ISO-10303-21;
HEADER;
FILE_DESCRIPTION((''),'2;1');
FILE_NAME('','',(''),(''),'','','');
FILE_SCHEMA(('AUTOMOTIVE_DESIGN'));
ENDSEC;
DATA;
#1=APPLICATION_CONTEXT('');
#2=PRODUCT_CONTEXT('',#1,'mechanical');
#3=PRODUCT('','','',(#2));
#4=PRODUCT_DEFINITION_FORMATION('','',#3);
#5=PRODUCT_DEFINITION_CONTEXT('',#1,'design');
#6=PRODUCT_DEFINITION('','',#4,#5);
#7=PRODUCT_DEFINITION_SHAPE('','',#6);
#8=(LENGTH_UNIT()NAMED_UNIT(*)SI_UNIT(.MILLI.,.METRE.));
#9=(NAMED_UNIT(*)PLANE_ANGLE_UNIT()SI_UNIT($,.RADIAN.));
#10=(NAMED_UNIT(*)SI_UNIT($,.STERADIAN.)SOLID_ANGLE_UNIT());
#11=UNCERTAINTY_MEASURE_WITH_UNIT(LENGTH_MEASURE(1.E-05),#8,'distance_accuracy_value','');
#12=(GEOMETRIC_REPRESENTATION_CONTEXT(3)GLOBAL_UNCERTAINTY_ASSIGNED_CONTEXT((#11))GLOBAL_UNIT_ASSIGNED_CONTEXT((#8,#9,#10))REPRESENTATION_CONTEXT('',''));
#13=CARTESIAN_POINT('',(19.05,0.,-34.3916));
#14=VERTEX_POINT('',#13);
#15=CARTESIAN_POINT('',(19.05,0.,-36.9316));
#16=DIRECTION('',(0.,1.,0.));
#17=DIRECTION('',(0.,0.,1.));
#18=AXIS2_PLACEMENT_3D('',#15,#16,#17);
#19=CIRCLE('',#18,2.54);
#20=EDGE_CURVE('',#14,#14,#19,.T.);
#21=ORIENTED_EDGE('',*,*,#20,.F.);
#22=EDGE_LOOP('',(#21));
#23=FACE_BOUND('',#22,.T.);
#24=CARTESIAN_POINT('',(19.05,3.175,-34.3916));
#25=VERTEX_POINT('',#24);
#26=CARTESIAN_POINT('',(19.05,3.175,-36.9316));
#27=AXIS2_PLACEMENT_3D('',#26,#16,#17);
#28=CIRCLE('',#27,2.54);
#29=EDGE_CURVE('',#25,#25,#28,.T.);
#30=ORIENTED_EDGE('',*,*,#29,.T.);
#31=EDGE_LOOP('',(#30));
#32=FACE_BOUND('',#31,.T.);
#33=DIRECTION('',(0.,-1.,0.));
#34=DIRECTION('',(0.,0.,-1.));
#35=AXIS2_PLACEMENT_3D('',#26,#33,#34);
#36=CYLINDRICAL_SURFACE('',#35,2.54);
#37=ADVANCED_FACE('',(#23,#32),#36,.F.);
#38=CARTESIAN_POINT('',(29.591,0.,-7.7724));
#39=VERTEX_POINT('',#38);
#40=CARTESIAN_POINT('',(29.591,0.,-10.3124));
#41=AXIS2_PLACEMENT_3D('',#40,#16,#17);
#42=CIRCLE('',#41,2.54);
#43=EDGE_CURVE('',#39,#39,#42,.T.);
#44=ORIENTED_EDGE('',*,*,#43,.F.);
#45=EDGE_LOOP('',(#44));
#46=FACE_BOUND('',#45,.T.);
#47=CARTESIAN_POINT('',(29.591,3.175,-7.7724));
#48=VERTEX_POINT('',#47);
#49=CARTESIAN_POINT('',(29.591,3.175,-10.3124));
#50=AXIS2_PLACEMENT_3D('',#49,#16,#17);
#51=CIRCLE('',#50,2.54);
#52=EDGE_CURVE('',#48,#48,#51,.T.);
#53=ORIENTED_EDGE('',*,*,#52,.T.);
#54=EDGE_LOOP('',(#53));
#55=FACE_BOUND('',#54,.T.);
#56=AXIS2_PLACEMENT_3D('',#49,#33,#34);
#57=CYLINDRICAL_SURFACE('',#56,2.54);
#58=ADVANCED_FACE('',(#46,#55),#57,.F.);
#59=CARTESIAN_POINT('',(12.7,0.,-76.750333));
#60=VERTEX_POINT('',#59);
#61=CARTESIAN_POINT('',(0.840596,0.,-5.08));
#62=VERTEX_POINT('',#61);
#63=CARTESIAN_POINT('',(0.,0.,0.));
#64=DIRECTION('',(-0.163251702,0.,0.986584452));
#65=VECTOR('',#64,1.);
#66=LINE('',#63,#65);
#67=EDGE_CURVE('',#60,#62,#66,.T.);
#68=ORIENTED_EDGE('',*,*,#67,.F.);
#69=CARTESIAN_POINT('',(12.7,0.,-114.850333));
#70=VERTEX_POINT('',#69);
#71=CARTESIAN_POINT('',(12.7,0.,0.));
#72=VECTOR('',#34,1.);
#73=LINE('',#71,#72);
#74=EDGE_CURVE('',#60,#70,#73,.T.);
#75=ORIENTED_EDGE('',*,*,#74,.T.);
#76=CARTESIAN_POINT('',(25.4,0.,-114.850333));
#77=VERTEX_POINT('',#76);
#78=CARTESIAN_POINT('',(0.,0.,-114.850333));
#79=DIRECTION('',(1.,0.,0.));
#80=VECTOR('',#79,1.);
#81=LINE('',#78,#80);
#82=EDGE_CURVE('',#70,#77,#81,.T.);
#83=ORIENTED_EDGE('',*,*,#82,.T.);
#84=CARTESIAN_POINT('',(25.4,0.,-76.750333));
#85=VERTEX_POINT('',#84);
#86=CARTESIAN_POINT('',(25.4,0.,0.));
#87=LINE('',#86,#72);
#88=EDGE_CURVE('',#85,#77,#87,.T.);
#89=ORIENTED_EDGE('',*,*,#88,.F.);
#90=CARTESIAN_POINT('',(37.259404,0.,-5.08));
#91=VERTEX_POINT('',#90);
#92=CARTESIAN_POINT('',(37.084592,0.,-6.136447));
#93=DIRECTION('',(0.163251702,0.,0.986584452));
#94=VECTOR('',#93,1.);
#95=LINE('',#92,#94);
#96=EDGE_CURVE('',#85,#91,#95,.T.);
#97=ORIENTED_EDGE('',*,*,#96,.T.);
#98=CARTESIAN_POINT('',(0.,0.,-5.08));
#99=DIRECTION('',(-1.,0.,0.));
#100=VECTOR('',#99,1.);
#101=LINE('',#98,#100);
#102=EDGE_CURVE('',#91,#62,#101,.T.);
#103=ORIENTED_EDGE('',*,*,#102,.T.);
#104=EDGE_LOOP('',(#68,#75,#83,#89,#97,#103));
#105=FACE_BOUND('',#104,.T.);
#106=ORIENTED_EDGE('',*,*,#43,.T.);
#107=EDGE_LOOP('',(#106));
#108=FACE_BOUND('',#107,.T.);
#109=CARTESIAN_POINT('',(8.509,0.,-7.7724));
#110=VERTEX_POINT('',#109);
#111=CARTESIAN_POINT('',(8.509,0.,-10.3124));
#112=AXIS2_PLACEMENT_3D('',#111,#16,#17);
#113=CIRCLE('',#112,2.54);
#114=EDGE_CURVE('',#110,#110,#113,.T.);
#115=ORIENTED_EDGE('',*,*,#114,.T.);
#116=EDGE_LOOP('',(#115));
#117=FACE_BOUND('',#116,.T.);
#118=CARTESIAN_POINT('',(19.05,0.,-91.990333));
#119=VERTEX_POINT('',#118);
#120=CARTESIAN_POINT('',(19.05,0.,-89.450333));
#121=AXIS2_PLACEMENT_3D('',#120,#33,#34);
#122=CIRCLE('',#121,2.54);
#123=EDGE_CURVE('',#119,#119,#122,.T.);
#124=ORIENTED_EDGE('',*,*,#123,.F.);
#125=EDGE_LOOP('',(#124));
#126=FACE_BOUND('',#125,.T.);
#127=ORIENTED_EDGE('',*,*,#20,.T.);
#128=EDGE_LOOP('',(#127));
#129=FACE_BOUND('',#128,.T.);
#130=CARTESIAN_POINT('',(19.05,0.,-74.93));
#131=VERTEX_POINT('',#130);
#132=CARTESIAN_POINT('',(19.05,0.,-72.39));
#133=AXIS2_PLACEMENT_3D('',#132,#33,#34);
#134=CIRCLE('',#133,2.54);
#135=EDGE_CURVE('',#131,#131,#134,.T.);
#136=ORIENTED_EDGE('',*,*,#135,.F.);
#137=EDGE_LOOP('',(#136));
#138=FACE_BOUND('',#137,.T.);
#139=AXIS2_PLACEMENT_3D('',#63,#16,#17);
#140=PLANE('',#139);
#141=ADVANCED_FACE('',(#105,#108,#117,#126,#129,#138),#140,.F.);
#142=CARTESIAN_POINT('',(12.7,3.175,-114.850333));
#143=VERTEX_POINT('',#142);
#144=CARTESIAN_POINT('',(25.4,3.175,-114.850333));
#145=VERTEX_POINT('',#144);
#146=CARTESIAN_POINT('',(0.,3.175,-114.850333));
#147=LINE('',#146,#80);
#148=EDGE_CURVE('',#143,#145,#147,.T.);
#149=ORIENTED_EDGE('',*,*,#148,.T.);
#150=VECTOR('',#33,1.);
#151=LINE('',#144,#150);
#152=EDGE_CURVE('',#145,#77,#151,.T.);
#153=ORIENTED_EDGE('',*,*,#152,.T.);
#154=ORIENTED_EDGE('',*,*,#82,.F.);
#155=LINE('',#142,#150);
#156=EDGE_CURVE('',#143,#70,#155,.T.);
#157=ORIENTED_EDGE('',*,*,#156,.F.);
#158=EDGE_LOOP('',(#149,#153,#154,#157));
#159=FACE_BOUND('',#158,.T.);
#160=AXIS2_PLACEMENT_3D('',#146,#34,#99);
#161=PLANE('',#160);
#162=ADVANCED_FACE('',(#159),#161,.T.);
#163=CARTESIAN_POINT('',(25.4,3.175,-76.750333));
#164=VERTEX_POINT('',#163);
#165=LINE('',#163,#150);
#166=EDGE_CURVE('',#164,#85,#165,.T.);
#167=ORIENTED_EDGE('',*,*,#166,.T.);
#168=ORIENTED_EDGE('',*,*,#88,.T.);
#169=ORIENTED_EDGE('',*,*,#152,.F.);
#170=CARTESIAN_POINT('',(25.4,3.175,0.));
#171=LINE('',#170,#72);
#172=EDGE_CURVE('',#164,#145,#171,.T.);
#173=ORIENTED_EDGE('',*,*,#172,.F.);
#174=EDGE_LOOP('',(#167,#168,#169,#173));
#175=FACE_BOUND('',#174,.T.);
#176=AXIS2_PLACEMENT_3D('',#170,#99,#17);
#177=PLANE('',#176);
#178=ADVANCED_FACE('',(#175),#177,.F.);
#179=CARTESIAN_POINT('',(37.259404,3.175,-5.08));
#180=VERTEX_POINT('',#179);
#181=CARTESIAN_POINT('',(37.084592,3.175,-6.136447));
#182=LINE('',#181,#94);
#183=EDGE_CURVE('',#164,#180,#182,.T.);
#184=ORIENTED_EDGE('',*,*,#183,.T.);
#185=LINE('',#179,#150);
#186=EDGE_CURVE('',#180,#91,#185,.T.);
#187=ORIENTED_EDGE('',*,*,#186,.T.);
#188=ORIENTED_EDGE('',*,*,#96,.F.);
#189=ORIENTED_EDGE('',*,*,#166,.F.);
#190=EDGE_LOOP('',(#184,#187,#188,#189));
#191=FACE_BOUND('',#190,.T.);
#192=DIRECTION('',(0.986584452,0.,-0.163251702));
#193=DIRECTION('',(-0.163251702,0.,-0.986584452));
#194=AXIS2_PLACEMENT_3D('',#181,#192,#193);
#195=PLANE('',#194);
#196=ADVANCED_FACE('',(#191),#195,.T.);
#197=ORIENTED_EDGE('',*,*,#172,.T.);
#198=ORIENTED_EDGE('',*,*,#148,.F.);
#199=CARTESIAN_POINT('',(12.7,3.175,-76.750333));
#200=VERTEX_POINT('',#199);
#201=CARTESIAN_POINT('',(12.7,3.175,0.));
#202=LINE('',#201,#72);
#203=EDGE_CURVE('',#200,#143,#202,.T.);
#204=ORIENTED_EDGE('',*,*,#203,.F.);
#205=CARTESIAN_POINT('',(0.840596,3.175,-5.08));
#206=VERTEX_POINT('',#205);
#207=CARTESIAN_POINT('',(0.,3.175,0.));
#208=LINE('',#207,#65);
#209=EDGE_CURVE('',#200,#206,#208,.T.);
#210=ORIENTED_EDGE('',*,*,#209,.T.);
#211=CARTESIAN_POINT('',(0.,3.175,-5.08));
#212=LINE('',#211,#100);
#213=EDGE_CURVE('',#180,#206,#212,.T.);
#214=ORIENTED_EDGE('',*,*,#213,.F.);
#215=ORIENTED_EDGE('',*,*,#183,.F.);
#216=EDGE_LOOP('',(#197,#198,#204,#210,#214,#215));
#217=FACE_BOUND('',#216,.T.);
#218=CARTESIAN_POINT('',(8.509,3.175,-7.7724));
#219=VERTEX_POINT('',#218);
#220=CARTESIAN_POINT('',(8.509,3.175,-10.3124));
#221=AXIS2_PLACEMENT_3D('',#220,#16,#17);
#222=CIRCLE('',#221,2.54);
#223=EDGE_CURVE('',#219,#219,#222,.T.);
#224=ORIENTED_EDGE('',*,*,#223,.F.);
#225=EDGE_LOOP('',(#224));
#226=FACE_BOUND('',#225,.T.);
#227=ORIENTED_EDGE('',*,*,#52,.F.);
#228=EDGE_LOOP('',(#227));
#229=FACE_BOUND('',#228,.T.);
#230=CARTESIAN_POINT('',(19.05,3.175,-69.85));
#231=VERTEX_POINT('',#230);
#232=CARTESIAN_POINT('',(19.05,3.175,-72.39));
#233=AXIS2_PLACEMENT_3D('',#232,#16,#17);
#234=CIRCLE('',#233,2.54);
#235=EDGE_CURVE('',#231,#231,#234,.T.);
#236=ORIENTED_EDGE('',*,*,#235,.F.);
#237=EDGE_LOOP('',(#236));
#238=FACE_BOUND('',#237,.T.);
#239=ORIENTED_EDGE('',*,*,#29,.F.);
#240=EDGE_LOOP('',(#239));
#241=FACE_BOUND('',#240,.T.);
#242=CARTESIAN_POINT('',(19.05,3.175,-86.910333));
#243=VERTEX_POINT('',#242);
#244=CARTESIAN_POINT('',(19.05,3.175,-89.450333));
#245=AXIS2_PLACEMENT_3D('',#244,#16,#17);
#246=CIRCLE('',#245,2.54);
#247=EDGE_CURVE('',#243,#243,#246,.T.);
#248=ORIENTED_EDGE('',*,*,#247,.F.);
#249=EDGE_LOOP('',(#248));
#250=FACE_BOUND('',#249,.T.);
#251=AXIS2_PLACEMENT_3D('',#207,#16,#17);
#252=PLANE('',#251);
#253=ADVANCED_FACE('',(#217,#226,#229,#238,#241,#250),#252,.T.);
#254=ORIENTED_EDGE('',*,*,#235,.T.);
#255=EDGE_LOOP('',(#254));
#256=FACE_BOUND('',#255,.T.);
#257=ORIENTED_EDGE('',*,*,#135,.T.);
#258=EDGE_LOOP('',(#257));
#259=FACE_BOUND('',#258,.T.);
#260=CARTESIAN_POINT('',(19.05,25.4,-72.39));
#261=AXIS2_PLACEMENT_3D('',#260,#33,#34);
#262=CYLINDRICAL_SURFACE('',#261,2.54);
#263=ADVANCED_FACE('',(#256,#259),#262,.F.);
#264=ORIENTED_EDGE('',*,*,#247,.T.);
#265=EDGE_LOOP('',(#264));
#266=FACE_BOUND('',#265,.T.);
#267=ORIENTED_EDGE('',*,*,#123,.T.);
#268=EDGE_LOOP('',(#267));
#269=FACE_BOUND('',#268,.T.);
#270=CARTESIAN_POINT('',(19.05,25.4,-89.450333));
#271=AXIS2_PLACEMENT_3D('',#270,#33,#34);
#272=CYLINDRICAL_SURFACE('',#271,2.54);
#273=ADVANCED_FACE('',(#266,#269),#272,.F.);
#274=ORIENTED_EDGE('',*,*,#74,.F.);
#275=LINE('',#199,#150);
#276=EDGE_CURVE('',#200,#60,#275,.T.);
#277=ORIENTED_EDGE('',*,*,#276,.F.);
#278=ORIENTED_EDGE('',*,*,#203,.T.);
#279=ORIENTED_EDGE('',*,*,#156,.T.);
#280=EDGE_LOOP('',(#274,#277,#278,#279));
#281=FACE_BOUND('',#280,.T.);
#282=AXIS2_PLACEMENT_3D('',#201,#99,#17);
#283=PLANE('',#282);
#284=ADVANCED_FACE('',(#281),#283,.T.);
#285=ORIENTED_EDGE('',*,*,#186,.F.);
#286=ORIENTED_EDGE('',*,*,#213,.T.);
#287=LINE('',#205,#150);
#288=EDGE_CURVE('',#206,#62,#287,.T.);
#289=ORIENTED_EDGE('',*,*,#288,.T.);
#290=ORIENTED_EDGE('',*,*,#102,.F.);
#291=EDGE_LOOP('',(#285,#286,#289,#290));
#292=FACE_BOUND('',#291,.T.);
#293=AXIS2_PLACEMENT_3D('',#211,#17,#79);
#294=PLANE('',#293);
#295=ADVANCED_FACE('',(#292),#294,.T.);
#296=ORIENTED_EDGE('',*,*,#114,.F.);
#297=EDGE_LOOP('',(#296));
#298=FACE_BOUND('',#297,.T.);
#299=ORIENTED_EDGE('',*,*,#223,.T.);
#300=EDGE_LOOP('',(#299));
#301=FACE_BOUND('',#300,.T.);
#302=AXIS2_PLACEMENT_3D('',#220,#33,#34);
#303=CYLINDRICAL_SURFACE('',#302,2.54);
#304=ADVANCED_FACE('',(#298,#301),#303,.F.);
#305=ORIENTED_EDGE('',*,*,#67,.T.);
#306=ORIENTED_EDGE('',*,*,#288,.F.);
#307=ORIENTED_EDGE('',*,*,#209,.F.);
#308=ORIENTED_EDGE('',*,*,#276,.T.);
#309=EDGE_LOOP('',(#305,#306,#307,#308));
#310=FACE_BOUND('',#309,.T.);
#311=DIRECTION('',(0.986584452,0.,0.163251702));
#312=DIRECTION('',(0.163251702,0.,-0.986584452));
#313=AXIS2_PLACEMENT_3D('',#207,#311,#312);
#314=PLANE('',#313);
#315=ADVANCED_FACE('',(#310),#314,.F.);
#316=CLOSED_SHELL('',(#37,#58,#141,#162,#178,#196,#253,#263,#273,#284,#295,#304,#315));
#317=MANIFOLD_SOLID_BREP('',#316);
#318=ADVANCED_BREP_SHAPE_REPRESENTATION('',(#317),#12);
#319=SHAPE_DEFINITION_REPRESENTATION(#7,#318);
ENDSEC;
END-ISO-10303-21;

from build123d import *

# Parameters (mm, degrees)
SKETCH1_R           = 2.54
SKETCH1_W           = 12.7
SKETCH1_H           = 38.1
BOSS_EXTRUDE1_DEPTH = 3.175
SKETCH4_R           = 2.54
CUT_EXTRUDE2_DEPTH  = 25.4


with BuildPart() as part:
    # Sketch1 → Boss-Extrude1 (new body)
    # profile 1 of 3: a face of its own
    with BuildSketch(Plane(origin=(0, 0, 0), x_dir=(1, 0, 0), z_dir=(0, 1, 0))):
        Polygon((0.840595698, 5.08), (19.05, 5.08), (37.259404302, 5.08), (30.48, 46.0502), (7.62, 46.0502), align=None)
        with Locations(Location((8.509, 10.3124, 0), (0, 0, 270))):
            Circle(SKETCH1_R, mode=Mode.SUBTRACT)
        with Locations(Location((29.591, 10.3124, 0), (0, 0, 270))):
            Circle(SKETCH1_R, mode=Mode.SUBTRACT)
        with Locations(Location((19.05, 36.9316, 0), (0, 0, 270))):
            Circle(SKETCH1_R, mode=Mode.SUBTRACT)
    # profile 2 of 3: a face of its own
    with BuildSketch(Plane(origin=(0, 0, 0), x_dir=(1, 0, 0), z_dir=(0, 1, 0))):
        Polygon((12.7, 76.750333333), (7.62, 46.0502), (30.48, 46.0502), (25.4, 76.750333333), align=None)
    # profile 3 of 3: a face of its own
    with BuildSketch(Plane(origin=(0, 0, 0), x_dir=(1, 0, 0), z_dir=(0, 1, 0))):
        with Locations((19.05, 95.800333333)):
            Rectangle(SKETCH1_W, SKETCH1_H)
    extrude(amount=BOSS_EXTRUDE1_DEPTH)

    # Sketch4 → Cut-Extrude2 (cut)
    with BuildSketch(Plane.XZ):
        with Locations(Location((19.05, -72.39, 0), (0, 0, 270))):
            Circle(SKETCH4_R)
        with Locations(Location((19.05, -89.450333333, 0), (0, 0, 270))):
            Circle(SKETCH4_R)
    extrude(amount=-CUT_EXTRUDE2_DEPTH, mode=Mode.SUBTRACT)


solid = part.part
